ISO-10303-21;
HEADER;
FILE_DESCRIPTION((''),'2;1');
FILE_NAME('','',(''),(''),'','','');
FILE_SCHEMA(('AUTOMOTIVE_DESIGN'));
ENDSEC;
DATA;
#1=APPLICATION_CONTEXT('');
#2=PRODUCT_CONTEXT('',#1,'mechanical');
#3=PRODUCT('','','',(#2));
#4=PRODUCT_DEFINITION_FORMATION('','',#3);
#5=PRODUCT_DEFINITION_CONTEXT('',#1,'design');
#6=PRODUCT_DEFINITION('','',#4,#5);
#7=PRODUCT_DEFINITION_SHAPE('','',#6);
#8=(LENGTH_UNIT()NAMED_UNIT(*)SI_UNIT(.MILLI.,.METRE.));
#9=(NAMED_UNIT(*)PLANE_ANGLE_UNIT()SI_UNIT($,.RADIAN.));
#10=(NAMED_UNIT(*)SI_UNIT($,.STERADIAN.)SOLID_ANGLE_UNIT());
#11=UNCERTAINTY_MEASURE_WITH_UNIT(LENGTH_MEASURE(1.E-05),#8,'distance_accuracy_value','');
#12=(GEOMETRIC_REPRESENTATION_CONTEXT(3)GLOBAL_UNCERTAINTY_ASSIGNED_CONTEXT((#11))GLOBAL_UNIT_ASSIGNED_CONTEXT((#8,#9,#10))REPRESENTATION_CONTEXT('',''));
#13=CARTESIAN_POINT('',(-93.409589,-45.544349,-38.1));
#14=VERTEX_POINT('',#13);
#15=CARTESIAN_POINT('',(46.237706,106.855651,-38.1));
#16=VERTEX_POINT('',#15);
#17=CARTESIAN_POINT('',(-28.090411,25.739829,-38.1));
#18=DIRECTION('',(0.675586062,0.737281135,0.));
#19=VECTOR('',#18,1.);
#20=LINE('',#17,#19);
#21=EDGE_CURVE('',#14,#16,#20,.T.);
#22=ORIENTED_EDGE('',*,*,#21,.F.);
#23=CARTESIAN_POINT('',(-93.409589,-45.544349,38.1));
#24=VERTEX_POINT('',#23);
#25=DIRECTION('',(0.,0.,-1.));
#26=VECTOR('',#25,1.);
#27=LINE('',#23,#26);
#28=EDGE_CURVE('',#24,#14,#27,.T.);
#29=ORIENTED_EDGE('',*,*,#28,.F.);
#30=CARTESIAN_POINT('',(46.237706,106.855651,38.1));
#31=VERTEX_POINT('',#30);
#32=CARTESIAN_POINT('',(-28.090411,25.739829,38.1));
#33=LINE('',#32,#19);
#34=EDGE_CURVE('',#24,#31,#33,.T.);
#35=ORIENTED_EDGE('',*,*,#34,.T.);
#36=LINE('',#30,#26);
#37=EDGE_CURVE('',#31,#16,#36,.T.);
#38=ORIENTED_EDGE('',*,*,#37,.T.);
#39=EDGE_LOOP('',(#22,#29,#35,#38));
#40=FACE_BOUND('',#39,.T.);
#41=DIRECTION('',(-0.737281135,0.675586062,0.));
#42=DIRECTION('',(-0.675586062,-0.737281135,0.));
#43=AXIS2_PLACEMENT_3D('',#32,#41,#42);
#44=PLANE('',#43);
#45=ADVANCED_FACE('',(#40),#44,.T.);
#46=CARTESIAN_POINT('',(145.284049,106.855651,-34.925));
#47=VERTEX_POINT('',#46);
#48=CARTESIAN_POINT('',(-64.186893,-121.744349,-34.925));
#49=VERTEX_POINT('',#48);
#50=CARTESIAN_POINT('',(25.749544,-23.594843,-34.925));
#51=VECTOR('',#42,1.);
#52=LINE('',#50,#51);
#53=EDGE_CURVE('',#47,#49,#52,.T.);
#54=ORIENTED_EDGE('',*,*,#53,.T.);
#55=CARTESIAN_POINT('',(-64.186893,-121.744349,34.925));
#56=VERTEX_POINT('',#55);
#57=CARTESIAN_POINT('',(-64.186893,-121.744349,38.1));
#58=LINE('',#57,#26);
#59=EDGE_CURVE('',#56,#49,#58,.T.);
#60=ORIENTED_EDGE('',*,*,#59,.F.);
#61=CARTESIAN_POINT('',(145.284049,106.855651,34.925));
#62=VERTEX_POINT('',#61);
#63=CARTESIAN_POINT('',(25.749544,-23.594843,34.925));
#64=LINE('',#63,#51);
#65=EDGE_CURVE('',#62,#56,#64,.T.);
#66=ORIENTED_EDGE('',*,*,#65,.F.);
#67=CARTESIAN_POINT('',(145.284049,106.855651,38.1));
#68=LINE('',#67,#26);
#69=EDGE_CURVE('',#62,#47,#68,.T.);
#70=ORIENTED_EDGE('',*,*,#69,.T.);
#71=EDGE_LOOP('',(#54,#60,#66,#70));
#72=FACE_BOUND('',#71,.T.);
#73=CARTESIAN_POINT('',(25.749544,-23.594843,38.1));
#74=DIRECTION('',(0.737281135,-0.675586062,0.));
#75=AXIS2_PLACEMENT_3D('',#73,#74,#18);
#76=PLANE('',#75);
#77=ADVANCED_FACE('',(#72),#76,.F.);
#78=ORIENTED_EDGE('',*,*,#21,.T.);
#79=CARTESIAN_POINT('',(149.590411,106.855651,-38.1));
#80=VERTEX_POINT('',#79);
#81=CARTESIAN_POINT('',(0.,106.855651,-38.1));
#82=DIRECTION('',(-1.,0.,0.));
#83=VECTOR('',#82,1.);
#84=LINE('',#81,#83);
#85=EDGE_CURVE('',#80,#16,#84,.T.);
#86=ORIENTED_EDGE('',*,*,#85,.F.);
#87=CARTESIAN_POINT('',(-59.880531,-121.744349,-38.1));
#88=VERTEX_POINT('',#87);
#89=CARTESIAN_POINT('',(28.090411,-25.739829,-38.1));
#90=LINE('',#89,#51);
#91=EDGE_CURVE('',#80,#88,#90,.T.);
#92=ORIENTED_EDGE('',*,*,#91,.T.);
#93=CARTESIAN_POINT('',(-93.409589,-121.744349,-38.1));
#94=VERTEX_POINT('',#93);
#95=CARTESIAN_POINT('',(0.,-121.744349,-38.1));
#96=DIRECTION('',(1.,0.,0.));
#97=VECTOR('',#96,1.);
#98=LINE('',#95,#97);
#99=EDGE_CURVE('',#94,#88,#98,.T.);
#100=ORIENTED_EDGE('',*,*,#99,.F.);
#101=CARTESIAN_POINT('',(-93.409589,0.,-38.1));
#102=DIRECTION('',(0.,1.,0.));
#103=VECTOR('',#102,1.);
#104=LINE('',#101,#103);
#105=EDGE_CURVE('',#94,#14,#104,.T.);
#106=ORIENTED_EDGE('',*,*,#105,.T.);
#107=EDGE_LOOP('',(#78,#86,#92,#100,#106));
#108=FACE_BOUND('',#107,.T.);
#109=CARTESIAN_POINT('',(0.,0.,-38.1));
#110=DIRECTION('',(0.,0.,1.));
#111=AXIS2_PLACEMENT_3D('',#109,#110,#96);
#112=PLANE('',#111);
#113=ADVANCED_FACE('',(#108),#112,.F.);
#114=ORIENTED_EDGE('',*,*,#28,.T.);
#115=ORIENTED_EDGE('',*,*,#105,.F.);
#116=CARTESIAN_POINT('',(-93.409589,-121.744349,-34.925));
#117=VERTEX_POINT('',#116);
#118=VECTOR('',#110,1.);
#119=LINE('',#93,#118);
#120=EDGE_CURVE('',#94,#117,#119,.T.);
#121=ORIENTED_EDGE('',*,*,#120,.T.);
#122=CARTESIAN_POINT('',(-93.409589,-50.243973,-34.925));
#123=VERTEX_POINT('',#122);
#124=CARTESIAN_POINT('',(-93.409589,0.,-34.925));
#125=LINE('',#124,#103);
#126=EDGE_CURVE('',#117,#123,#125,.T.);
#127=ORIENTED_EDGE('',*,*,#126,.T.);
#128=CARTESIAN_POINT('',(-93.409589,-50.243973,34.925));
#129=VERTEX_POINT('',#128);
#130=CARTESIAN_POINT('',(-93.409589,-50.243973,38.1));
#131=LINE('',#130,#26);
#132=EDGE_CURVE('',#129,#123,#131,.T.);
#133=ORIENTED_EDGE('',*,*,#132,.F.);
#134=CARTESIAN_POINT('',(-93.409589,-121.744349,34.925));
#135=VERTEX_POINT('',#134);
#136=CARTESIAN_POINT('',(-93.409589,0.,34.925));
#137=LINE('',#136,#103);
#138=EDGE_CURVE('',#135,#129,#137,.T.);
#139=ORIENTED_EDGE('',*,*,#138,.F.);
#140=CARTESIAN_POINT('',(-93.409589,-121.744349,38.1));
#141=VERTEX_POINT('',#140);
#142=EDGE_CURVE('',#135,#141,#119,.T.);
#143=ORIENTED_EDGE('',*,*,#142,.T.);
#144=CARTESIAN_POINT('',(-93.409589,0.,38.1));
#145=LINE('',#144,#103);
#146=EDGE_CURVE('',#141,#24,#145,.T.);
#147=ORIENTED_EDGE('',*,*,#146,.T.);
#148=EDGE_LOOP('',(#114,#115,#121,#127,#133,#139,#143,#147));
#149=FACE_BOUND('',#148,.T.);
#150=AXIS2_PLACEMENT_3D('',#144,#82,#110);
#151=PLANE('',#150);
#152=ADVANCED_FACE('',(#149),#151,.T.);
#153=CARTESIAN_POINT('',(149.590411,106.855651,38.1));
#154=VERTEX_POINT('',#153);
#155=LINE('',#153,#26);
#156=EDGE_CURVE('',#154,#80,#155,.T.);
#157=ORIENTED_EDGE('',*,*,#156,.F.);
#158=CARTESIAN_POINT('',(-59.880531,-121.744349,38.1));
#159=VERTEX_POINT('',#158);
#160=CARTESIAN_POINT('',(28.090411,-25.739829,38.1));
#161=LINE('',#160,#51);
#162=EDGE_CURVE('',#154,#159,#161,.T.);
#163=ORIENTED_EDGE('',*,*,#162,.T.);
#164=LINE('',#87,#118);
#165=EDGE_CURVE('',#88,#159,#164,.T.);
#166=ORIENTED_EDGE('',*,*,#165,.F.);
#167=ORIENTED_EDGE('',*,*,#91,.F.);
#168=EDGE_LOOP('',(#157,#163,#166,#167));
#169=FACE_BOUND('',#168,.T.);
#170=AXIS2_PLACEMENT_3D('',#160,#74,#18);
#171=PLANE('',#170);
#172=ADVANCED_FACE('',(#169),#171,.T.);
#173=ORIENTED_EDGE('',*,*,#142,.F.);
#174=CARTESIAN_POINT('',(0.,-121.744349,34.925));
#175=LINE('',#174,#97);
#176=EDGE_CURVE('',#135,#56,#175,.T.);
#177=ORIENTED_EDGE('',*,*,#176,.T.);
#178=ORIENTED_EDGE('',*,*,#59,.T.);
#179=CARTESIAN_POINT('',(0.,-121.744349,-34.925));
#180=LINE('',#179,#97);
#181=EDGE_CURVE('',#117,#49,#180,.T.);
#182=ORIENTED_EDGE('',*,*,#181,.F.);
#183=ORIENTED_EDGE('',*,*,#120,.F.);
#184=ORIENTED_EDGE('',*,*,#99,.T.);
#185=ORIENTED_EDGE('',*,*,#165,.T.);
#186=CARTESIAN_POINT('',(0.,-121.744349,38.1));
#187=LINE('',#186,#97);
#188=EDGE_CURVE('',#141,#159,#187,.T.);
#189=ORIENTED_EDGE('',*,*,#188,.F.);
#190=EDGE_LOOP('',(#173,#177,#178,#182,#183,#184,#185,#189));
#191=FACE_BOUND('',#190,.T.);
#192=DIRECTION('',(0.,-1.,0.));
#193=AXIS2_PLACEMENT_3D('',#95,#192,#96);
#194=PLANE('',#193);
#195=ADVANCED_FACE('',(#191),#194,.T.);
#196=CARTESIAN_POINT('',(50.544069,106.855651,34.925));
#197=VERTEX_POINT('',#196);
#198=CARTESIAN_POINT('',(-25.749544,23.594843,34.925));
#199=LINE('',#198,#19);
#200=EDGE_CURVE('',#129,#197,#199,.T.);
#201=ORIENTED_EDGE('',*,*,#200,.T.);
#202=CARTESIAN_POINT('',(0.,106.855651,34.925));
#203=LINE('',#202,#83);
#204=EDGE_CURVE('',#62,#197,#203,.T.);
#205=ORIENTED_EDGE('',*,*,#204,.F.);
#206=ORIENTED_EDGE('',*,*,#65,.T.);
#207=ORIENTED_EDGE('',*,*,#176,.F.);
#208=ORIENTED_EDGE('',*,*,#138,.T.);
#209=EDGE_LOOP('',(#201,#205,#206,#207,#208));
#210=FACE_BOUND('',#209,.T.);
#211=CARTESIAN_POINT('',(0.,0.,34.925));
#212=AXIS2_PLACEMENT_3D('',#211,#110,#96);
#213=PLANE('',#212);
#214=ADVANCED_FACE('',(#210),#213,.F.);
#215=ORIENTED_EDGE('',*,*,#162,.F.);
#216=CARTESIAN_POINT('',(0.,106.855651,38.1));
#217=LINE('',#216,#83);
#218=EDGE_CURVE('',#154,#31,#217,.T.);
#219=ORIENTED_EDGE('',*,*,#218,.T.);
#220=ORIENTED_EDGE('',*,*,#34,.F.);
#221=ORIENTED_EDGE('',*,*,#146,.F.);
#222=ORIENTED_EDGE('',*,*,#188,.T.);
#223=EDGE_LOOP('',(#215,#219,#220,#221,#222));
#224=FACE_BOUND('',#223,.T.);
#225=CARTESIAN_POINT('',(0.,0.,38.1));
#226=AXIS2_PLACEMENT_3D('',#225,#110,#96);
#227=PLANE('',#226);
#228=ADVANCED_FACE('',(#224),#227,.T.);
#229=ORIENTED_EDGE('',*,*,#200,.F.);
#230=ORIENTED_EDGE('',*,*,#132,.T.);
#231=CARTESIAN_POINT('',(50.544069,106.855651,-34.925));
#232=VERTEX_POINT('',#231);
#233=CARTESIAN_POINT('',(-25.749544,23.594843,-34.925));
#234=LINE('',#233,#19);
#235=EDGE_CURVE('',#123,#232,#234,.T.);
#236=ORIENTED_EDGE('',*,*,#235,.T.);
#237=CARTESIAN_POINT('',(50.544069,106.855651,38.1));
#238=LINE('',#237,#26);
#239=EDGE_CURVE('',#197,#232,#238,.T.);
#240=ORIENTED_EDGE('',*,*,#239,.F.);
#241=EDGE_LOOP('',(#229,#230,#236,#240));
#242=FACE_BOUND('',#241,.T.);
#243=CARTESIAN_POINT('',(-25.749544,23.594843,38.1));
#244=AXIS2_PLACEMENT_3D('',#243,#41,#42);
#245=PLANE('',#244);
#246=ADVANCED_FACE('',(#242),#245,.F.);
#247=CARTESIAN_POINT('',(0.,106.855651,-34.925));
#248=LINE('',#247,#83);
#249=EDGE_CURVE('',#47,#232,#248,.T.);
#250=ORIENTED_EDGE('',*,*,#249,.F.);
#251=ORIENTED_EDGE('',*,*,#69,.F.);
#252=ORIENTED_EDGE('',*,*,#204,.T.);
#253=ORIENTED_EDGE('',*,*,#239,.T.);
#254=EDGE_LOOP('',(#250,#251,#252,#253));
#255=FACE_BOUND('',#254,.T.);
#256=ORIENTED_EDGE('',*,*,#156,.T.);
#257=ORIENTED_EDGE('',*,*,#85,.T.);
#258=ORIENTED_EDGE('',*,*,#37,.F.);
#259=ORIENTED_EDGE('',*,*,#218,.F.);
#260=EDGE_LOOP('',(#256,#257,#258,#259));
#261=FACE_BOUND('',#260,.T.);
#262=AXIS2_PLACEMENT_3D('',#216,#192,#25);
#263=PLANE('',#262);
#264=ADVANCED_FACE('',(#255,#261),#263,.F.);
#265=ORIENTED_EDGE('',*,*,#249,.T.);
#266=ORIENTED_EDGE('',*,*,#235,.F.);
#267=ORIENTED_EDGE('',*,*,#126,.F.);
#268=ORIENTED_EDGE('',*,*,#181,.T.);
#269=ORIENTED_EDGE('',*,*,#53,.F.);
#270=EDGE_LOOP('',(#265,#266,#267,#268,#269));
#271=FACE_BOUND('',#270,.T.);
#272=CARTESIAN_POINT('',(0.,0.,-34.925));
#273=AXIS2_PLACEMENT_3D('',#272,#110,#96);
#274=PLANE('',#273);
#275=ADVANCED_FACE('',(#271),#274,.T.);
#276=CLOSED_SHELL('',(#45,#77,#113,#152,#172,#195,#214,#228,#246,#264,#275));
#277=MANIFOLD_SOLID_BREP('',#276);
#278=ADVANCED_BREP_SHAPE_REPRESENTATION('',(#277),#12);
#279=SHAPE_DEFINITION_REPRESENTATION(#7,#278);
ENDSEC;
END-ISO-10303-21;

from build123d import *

# Parameters (mm, degrees)
BOSS_EXTRUDE1_DEPTH = 38.1
SHELL1_T            = -3.175
CUT_EXTRUDE6_DEPTH  = 76.2


with BuildPart() as part:
    # Sketch2 → Boss-Extrude1 (new, symmetric)
    with BuildSketch(Plane.XY):
        Polygon((46.237705824, 106.855650642), (-28.090411256, 25.739828971), (28.090411256, -25.739828971), (149.590411256, 106.855650642), align=None)
        Polygon((-28.090411256, 25.739828971), (-93.409588744, -45.544349358), (-93.409588744, -158.335308585), (28.090411256, -25.739828971), align=None)
    extrude(amount=BOSS_EXTRUDE1_DEPTH, both=True)

    # Shell1
    shell1_openings = [part.faces().sort_by_distance(p)[0] for p in [
        (97.91405854, 106.855650642, 0),
        (-93.409588744, -101.939828971, 0),
    ]]
    offset(amount=SHELL1_T, openings=shell1_openings, kind=Kind.INTERSECTION)

    # Sketch3 → Cut-Extrude6 (cut)
    with BuildSketch(Plane.XY.offset(38.1)):
        Polygon((-59.880530596, -121.744349358), (-93.409588744, -121.744349358), (-93.409588744, -158.335308585), align=None)
    extrude(amount=-CUT_EXTRUDE6_DEPTH, mode=Mode.SUBTRACT)


solid = part.part
